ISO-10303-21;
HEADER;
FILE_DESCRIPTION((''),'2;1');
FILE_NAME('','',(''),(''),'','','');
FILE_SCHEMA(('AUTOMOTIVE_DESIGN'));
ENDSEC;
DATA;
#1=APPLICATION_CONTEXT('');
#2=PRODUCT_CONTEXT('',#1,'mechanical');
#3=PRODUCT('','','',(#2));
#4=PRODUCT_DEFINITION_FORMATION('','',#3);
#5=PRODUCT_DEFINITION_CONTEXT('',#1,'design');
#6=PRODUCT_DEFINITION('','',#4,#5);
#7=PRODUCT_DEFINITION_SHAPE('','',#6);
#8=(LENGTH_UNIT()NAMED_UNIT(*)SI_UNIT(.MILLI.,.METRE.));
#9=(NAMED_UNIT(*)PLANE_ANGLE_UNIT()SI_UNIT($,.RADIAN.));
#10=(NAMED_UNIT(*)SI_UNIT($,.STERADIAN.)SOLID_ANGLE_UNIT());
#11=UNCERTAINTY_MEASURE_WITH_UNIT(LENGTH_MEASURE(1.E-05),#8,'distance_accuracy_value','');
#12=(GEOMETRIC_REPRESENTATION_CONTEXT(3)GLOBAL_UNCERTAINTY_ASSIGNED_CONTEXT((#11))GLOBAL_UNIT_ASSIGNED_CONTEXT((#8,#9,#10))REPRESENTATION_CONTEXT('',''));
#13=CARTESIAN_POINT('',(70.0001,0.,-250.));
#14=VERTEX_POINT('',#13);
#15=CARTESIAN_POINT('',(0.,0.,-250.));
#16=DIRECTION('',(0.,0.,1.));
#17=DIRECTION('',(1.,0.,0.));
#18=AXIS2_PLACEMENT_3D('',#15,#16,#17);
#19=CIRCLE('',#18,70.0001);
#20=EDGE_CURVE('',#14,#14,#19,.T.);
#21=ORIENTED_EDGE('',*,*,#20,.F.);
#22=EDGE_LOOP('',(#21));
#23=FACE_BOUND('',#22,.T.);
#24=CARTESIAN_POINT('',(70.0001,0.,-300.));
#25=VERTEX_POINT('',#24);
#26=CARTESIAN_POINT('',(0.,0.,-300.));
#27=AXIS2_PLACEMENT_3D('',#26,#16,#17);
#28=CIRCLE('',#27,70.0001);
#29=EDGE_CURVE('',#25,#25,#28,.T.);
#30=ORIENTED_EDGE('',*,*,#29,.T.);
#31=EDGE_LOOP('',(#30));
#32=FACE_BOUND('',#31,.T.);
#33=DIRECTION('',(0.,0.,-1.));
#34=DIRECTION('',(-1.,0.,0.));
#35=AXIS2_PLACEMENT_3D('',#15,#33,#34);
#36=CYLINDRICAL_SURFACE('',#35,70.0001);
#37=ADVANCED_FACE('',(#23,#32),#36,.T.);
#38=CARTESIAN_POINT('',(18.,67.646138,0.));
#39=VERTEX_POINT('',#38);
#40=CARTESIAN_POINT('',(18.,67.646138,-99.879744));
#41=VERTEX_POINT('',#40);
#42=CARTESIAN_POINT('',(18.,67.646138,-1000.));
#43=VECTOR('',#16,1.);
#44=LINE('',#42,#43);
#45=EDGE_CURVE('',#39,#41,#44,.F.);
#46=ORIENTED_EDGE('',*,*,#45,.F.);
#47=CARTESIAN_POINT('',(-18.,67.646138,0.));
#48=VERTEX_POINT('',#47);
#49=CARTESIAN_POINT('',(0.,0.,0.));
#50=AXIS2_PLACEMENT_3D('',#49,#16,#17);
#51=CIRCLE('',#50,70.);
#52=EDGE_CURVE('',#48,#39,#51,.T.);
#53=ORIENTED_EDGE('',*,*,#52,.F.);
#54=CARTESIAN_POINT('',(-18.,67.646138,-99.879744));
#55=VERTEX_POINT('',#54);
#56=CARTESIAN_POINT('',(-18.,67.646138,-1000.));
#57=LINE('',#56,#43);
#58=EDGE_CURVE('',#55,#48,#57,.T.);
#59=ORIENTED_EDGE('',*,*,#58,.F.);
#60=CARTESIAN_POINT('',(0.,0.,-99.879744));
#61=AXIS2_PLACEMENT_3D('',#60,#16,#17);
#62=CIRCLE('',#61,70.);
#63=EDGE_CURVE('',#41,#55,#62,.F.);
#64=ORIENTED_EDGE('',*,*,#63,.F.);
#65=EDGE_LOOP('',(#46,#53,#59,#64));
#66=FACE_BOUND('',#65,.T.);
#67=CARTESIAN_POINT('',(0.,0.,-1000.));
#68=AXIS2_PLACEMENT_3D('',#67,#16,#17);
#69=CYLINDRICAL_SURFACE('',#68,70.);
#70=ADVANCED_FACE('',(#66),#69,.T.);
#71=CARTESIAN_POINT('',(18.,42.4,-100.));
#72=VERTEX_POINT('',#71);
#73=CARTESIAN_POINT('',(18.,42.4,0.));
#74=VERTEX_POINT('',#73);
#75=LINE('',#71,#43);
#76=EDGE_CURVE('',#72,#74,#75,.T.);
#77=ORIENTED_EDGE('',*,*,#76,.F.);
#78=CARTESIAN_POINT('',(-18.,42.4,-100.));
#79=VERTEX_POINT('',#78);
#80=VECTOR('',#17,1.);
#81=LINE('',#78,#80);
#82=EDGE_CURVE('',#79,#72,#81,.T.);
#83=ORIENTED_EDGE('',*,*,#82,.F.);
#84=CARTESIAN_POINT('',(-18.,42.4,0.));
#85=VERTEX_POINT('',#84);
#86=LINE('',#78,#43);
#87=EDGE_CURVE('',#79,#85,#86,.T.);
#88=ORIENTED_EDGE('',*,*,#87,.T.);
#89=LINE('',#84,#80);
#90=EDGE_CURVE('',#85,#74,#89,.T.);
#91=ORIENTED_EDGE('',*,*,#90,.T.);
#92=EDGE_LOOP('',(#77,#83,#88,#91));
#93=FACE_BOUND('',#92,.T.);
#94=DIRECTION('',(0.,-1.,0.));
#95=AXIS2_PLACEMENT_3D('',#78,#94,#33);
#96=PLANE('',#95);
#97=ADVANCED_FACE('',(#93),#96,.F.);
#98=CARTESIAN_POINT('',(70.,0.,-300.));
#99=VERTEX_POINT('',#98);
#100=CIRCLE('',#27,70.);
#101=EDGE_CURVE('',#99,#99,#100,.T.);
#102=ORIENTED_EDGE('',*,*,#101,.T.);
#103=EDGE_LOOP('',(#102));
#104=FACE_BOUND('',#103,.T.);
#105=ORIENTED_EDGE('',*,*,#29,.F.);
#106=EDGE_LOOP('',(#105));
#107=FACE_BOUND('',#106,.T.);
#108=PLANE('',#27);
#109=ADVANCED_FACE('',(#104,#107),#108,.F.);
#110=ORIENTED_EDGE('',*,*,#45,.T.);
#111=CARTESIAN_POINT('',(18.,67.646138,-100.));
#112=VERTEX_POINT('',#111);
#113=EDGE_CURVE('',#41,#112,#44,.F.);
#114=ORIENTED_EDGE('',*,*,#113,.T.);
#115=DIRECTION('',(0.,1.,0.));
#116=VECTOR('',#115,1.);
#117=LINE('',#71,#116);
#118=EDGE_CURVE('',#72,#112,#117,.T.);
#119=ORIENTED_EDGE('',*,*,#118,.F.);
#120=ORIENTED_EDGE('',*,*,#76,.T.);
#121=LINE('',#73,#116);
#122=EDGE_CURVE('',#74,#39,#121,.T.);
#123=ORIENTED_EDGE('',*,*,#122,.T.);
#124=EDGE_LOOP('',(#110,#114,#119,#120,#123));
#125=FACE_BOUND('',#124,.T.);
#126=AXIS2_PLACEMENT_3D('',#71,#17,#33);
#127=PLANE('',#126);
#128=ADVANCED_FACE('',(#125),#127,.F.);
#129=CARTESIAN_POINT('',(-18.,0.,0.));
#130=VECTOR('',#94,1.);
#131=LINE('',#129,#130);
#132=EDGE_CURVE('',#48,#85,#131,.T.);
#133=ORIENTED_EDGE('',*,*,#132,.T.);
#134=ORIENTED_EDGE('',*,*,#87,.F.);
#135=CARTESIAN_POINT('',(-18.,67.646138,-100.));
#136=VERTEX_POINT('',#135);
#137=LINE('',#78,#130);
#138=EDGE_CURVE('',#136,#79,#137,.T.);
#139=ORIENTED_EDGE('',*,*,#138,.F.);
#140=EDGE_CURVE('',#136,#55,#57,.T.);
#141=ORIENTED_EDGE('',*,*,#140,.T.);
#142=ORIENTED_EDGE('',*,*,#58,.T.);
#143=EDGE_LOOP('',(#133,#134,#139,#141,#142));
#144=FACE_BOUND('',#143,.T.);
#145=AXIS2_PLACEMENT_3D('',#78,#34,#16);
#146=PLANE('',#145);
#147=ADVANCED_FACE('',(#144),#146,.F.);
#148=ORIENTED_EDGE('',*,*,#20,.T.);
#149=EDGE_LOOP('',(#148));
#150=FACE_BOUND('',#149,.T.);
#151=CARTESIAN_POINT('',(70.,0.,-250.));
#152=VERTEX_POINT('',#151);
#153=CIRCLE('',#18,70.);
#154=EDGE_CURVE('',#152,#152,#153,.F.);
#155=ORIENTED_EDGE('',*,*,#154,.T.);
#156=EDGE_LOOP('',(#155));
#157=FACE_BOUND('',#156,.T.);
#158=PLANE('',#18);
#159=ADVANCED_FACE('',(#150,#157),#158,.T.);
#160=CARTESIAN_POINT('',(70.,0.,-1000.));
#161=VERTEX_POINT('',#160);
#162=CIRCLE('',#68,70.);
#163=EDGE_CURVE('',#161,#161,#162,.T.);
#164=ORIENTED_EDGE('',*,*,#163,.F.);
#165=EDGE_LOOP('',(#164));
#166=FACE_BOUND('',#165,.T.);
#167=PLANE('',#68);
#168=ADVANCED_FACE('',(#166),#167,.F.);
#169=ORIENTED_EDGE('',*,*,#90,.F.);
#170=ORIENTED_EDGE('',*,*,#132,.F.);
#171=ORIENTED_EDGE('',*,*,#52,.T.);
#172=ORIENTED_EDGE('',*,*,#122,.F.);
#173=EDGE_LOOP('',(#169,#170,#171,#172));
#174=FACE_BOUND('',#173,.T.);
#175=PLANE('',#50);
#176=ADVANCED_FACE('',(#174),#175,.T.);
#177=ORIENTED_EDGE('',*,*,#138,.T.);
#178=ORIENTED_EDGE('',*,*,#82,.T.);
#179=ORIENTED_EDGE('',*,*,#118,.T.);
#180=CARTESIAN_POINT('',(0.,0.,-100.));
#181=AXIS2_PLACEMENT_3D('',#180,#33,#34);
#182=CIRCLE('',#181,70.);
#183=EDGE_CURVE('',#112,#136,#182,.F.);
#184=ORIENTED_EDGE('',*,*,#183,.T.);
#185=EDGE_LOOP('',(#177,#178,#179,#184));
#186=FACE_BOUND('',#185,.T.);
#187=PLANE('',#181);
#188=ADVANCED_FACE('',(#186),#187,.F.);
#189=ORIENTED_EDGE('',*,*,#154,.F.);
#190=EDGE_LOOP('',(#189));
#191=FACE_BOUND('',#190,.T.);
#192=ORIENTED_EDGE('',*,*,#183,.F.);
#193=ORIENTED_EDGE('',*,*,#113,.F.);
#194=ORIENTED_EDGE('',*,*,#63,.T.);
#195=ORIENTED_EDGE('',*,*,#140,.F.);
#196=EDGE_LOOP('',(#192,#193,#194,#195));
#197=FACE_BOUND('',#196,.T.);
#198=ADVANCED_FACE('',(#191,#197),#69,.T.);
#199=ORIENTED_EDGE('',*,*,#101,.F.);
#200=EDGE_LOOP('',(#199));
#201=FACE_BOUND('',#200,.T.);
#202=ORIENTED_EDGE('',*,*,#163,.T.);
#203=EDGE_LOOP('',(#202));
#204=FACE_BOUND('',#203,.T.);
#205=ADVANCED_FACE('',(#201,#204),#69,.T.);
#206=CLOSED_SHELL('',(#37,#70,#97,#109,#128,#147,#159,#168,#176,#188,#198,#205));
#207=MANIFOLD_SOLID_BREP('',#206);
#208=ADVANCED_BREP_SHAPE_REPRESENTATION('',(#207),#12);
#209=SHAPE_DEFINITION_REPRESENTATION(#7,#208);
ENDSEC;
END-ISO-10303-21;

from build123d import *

# Parameters (mm, degrees)
SKETCH1_R           = 70
BOSS_EXTRUDE1_DEPTH = 1000
SKETCH3_W           = 36
SKETCH3_H           = 36
CUT_EXTRUDE1_DEPTH  = 100
EXTRUDE_THIN1_START = 50
SKETCH5_R           = 70
SKETCH5_R_2         = 69.9999
EXTRUDE_THIN1_DEPTH = 50


with BuildPart() as part:
    # Sketch1 → Boss-Extrude1 (new body)
    with BuildSketch(Plane.XY):
        Circle(SKETCH1_R)
    extrude(amount=-BOSS_EXTRUDE1_DEPTH)

    # Sketch3 → Cut-Extrude1 (cut)
    with BuildSketch(Plane.XY):
        with Locations((0, 60.4)):
            Rectangle(SKETCH3_W, SKETCH3_H)
    extrude(amount=-CUT_EXTRUDE1_DEPTH, mode=Mode.SUBTRACT)

    # Sketch5 → Extrude-Thin1 (add)
    with BuildSketch(Plane.XY.offset(-300).offset(EXTRUDE_THIN1_START)):
        Circle(SKETCH5_R)
        Circle(SKETCH5_R_2, mode=Mode.SUBTRACT)
    extrude(amount=-EXTRUDE_THIN1_DEPTH)


solid = part.part
